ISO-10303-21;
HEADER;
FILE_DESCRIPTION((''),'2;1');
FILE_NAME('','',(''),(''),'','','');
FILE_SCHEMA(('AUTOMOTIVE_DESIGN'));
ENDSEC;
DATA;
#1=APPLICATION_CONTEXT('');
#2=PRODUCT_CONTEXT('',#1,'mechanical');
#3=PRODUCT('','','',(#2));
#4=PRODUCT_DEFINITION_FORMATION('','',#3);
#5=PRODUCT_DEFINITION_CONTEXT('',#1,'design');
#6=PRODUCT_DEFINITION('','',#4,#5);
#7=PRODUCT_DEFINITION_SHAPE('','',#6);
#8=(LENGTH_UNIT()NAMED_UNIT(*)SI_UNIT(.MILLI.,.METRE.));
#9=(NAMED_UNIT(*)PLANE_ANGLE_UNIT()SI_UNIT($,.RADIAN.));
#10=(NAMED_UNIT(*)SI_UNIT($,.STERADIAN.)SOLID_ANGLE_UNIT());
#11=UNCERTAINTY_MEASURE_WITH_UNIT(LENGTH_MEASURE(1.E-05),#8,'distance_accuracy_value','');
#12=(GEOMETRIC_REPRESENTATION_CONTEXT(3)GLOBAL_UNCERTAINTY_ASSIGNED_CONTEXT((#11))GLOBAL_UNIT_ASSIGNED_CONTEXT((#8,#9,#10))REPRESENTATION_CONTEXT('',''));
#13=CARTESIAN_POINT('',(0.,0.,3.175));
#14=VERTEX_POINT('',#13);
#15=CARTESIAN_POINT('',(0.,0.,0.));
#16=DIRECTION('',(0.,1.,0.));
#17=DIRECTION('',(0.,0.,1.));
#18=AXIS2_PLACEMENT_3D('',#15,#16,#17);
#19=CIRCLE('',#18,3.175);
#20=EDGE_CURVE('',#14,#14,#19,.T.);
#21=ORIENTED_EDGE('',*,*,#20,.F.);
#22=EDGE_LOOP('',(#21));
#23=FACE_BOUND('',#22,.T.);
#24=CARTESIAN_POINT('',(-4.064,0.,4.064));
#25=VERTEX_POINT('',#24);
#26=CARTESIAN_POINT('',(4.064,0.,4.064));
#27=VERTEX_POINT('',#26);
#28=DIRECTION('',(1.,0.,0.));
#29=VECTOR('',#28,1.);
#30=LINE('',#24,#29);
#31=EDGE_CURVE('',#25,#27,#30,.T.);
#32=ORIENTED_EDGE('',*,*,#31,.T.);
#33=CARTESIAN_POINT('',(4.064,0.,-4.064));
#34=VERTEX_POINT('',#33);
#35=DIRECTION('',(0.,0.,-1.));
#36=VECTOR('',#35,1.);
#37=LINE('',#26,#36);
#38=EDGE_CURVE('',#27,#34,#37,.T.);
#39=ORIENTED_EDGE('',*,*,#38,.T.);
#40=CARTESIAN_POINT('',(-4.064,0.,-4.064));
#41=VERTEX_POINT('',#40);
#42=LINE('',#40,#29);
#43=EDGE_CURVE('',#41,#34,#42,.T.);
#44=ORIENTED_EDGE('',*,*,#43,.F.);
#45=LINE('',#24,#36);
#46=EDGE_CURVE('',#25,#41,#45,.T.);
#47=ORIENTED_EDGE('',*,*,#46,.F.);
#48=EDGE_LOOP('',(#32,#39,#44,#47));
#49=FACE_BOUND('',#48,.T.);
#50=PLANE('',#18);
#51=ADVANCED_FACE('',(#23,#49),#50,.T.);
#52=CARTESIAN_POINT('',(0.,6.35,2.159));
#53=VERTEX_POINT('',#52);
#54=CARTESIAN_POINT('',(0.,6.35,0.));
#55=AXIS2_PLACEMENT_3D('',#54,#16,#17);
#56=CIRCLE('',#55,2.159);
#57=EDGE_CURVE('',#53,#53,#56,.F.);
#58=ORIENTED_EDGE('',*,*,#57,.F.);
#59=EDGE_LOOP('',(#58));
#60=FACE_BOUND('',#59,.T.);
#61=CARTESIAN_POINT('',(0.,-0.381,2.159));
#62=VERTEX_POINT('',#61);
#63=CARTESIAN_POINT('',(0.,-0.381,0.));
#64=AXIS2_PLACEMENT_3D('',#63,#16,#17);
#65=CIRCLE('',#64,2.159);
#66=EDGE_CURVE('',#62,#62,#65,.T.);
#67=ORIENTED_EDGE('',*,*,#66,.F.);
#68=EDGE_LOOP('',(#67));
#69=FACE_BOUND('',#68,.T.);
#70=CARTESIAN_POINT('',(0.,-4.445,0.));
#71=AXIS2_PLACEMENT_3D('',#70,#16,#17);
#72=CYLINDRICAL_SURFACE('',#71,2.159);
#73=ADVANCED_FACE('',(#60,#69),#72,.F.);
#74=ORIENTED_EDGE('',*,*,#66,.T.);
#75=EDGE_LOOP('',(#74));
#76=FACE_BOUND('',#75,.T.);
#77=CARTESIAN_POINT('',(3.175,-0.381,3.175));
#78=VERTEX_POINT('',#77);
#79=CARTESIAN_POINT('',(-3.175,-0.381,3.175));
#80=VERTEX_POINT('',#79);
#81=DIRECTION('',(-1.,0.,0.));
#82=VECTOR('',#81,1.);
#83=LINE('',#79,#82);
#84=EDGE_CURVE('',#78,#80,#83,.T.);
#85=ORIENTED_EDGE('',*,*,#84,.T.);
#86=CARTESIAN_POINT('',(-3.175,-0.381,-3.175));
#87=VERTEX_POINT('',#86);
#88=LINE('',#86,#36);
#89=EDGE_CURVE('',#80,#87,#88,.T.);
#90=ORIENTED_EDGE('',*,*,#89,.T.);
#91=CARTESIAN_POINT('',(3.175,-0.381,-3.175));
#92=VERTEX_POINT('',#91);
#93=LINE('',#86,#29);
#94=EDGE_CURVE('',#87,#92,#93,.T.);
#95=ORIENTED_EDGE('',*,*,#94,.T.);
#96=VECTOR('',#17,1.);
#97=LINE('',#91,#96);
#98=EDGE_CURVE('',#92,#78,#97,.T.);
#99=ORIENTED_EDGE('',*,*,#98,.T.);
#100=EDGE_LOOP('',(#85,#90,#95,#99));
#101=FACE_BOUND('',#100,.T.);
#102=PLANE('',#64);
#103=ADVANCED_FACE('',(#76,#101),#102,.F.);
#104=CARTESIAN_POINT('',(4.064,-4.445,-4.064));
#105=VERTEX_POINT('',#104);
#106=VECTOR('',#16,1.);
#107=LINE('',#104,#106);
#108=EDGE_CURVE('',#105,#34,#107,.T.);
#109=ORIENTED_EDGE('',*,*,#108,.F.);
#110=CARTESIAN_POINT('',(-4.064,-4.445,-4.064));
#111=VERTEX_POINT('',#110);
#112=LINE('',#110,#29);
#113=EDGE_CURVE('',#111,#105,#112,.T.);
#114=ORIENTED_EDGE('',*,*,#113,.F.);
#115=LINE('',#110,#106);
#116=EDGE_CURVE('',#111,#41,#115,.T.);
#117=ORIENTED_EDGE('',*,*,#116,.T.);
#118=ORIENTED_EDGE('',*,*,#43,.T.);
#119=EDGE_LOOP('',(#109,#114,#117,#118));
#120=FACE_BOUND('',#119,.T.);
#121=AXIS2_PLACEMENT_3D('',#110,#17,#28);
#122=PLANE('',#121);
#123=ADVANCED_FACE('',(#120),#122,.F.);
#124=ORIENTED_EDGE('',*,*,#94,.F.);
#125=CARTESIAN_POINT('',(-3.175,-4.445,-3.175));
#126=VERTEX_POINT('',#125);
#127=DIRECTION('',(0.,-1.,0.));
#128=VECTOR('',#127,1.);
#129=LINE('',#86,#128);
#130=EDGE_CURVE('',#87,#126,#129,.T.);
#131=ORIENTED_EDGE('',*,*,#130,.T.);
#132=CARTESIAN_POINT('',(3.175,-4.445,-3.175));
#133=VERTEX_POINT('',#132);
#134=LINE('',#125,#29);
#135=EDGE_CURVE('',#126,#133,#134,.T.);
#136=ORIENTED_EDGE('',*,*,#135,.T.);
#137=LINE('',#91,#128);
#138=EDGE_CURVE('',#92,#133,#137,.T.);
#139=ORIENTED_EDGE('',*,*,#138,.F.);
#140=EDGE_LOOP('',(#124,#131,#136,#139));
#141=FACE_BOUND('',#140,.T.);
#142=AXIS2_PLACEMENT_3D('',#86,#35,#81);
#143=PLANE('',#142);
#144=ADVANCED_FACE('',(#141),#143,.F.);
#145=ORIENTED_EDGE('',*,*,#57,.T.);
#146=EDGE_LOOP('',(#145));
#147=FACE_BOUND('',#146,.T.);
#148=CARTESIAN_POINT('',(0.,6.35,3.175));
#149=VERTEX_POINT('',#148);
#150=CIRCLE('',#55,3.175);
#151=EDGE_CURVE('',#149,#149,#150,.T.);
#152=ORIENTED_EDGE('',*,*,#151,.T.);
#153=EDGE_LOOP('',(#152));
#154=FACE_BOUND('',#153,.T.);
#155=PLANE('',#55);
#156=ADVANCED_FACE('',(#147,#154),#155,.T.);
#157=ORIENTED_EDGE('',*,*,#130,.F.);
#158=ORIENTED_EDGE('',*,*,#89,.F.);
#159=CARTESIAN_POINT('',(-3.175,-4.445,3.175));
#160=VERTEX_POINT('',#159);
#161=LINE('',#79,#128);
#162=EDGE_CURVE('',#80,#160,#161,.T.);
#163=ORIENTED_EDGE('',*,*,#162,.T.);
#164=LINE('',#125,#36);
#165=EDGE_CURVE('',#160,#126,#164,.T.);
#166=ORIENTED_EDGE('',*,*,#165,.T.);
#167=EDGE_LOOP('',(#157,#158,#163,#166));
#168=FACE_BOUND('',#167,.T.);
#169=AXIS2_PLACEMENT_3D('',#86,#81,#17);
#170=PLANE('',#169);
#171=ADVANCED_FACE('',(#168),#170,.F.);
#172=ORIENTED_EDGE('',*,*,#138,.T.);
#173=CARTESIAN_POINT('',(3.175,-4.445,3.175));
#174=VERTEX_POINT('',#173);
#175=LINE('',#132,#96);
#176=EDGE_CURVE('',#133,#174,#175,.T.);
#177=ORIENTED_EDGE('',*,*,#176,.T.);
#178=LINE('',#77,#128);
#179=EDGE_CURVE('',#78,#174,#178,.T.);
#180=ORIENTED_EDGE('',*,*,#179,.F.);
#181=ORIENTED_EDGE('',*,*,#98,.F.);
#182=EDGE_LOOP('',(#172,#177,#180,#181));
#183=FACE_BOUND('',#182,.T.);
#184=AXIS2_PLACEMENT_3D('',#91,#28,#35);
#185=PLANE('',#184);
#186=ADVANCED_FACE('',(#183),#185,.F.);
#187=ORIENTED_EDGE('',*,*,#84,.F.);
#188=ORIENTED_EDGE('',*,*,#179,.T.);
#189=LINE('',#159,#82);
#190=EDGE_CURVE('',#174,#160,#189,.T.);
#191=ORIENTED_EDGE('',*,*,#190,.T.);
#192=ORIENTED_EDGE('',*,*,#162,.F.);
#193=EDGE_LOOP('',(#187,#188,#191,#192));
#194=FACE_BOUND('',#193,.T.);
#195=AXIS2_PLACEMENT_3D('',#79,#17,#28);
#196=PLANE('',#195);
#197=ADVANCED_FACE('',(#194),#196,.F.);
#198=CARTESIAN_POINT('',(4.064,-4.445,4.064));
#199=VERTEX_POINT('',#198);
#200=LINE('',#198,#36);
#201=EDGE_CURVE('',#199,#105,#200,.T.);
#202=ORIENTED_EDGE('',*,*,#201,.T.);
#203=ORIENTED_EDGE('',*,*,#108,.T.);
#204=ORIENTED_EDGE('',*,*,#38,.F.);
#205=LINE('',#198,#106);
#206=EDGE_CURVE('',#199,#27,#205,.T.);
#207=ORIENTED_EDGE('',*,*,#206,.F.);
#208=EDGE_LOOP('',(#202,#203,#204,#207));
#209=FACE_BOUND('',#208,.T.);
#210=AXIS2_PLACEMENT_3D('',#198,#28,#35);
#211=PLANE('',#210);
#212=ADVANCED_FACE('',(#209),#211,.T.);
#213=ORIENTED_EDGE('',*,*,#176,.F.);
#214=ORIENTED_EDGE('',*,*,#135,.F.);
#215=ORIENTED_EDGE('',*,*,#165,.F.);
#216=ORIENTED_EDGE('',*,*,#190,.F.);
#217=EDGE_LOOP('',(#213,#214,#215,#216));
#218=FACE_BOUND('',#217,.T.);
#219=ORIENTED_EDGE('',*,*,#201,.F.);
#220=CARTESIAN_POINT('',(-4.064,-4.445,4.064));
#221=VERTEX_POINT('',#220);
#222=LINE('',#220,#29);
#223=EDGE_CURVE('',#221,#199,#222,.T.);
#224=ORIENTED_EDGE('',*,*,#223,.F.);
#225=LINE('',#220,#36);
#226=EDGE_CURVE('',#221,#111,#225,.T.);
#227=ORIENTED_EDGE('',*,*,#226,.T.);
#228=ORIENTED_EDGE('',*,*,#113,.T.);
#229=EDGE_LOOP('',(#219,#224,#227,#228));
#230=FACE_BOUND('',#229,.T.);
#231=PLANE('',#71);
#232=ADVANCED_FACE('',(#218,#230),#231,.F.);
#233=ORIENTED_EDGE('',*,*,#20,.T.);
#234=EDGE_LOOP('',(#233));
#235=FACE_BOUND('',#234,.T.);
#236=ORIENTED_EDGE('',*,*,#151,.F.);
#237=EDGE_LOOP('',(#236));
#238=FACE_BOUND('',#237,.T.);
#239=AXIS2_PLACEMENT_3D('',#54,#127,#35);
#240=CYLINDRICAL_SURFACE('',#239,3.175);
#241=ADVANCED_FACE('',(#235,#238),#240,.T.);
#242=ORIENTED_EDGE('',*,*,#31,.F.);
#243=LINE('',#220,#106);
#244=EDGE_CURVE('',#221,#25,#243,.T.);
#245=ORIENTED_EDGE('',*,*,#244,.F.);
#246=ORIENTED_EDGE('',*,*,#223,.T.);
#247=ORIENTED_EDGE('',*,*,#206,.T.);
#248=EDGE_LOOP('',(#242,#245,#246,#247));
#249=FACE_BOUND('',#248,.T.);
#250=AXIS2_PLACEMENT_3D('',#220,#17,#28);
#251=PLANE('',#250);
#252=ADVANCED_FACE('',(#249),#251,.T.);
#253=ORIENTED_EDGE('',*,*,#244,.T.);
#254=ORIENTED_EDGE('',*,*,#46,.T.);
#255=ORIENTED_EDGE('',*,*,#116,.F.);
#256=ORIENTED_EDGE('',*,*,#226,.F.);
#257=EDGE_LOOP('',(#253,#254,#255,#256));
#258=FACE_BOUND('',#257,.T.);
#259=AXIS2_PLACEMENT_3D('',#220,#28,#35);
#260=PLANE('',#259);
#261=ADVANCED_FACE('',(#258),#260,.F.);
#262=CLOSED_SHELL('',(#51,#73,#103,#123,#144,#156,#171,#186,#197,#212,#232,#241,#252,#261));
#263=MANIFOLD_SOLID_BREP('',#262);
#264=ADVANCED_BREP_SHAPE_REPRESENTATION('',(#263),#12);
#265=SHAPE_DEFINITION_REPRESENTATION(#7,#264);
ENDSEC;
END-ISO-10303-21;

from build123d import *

# Parameters (mm, degrees)
SKETCH1_W           = 8.128
SKETCH1_H           = 8.128
BOSS_EXTRUDE1_DEPTH = 4.445
SKETCH2_W           = 6.35
SKETCH2_H           = 6.35
CUT_EXTRUDE1_DEPTH  = 4.064
SKETCH3_R           = 2.159
CUT_EXTRUDE2_DEPTH  = 8.265687648
BOSS_EXTRUDE2_START = 6.35
SKETCH4_R           = 3.175
SKETCH4_R_2         = 2.159
BOSS_EXTRUDE2_DEPTH = 6.35


with BuildPart() as part:
    # Sketch1 → Boss-Extrude1 (new body)
    with BuildSketch(Plane(origin=(0, 0, 0), x_dir=(1, 0, 0), z_dir=(0, 1, 0))):
        Rectangle(SKETCH1_W, SKETCH1_H)
    extrude(amount=-BOSS_EXTRUDE1_DEPTH)

    # Sketch2 → Cut-Extrude1 (cut)
    with BuildSketch(Plane.XZ.offset(4.445)):
        Rectangle(SKETCH2_W, SKETCH2_H)
    extrude(amount=-CUT_EXTRUDE1_DEPTH, mode=Mode.SUBTRACT)

    # Sketch3 → Cut-Extrude2 (cut, through all)
    with BuildSketch(Plane(origin=(0, 0, 0), x_dir=(1, 0, 0), z_dir=(0, 1, 0))):
        Circle(SKETCH3_R)
    extrude(amount=-CUT_EXTRUDE2_DEPTH, mode=Mode.SUBTRACT)

    # Sketch4 → Boss-Extrude2 (add)
    with BuildSketch(Plane(origin=(0, 0, 0), x_dir=(1, 0, 0), z_dir=(0, 1, 0)).offset(BOSS_EXTRUDE2_START)):
        Circle(SKETCH4_R)
        Circle(SKETCH4_R_2, mode=Mode.SUBTRACT)
    extrude(amount=-BOSS_EXTRUDE2_DEPTH)


solid = part.part
